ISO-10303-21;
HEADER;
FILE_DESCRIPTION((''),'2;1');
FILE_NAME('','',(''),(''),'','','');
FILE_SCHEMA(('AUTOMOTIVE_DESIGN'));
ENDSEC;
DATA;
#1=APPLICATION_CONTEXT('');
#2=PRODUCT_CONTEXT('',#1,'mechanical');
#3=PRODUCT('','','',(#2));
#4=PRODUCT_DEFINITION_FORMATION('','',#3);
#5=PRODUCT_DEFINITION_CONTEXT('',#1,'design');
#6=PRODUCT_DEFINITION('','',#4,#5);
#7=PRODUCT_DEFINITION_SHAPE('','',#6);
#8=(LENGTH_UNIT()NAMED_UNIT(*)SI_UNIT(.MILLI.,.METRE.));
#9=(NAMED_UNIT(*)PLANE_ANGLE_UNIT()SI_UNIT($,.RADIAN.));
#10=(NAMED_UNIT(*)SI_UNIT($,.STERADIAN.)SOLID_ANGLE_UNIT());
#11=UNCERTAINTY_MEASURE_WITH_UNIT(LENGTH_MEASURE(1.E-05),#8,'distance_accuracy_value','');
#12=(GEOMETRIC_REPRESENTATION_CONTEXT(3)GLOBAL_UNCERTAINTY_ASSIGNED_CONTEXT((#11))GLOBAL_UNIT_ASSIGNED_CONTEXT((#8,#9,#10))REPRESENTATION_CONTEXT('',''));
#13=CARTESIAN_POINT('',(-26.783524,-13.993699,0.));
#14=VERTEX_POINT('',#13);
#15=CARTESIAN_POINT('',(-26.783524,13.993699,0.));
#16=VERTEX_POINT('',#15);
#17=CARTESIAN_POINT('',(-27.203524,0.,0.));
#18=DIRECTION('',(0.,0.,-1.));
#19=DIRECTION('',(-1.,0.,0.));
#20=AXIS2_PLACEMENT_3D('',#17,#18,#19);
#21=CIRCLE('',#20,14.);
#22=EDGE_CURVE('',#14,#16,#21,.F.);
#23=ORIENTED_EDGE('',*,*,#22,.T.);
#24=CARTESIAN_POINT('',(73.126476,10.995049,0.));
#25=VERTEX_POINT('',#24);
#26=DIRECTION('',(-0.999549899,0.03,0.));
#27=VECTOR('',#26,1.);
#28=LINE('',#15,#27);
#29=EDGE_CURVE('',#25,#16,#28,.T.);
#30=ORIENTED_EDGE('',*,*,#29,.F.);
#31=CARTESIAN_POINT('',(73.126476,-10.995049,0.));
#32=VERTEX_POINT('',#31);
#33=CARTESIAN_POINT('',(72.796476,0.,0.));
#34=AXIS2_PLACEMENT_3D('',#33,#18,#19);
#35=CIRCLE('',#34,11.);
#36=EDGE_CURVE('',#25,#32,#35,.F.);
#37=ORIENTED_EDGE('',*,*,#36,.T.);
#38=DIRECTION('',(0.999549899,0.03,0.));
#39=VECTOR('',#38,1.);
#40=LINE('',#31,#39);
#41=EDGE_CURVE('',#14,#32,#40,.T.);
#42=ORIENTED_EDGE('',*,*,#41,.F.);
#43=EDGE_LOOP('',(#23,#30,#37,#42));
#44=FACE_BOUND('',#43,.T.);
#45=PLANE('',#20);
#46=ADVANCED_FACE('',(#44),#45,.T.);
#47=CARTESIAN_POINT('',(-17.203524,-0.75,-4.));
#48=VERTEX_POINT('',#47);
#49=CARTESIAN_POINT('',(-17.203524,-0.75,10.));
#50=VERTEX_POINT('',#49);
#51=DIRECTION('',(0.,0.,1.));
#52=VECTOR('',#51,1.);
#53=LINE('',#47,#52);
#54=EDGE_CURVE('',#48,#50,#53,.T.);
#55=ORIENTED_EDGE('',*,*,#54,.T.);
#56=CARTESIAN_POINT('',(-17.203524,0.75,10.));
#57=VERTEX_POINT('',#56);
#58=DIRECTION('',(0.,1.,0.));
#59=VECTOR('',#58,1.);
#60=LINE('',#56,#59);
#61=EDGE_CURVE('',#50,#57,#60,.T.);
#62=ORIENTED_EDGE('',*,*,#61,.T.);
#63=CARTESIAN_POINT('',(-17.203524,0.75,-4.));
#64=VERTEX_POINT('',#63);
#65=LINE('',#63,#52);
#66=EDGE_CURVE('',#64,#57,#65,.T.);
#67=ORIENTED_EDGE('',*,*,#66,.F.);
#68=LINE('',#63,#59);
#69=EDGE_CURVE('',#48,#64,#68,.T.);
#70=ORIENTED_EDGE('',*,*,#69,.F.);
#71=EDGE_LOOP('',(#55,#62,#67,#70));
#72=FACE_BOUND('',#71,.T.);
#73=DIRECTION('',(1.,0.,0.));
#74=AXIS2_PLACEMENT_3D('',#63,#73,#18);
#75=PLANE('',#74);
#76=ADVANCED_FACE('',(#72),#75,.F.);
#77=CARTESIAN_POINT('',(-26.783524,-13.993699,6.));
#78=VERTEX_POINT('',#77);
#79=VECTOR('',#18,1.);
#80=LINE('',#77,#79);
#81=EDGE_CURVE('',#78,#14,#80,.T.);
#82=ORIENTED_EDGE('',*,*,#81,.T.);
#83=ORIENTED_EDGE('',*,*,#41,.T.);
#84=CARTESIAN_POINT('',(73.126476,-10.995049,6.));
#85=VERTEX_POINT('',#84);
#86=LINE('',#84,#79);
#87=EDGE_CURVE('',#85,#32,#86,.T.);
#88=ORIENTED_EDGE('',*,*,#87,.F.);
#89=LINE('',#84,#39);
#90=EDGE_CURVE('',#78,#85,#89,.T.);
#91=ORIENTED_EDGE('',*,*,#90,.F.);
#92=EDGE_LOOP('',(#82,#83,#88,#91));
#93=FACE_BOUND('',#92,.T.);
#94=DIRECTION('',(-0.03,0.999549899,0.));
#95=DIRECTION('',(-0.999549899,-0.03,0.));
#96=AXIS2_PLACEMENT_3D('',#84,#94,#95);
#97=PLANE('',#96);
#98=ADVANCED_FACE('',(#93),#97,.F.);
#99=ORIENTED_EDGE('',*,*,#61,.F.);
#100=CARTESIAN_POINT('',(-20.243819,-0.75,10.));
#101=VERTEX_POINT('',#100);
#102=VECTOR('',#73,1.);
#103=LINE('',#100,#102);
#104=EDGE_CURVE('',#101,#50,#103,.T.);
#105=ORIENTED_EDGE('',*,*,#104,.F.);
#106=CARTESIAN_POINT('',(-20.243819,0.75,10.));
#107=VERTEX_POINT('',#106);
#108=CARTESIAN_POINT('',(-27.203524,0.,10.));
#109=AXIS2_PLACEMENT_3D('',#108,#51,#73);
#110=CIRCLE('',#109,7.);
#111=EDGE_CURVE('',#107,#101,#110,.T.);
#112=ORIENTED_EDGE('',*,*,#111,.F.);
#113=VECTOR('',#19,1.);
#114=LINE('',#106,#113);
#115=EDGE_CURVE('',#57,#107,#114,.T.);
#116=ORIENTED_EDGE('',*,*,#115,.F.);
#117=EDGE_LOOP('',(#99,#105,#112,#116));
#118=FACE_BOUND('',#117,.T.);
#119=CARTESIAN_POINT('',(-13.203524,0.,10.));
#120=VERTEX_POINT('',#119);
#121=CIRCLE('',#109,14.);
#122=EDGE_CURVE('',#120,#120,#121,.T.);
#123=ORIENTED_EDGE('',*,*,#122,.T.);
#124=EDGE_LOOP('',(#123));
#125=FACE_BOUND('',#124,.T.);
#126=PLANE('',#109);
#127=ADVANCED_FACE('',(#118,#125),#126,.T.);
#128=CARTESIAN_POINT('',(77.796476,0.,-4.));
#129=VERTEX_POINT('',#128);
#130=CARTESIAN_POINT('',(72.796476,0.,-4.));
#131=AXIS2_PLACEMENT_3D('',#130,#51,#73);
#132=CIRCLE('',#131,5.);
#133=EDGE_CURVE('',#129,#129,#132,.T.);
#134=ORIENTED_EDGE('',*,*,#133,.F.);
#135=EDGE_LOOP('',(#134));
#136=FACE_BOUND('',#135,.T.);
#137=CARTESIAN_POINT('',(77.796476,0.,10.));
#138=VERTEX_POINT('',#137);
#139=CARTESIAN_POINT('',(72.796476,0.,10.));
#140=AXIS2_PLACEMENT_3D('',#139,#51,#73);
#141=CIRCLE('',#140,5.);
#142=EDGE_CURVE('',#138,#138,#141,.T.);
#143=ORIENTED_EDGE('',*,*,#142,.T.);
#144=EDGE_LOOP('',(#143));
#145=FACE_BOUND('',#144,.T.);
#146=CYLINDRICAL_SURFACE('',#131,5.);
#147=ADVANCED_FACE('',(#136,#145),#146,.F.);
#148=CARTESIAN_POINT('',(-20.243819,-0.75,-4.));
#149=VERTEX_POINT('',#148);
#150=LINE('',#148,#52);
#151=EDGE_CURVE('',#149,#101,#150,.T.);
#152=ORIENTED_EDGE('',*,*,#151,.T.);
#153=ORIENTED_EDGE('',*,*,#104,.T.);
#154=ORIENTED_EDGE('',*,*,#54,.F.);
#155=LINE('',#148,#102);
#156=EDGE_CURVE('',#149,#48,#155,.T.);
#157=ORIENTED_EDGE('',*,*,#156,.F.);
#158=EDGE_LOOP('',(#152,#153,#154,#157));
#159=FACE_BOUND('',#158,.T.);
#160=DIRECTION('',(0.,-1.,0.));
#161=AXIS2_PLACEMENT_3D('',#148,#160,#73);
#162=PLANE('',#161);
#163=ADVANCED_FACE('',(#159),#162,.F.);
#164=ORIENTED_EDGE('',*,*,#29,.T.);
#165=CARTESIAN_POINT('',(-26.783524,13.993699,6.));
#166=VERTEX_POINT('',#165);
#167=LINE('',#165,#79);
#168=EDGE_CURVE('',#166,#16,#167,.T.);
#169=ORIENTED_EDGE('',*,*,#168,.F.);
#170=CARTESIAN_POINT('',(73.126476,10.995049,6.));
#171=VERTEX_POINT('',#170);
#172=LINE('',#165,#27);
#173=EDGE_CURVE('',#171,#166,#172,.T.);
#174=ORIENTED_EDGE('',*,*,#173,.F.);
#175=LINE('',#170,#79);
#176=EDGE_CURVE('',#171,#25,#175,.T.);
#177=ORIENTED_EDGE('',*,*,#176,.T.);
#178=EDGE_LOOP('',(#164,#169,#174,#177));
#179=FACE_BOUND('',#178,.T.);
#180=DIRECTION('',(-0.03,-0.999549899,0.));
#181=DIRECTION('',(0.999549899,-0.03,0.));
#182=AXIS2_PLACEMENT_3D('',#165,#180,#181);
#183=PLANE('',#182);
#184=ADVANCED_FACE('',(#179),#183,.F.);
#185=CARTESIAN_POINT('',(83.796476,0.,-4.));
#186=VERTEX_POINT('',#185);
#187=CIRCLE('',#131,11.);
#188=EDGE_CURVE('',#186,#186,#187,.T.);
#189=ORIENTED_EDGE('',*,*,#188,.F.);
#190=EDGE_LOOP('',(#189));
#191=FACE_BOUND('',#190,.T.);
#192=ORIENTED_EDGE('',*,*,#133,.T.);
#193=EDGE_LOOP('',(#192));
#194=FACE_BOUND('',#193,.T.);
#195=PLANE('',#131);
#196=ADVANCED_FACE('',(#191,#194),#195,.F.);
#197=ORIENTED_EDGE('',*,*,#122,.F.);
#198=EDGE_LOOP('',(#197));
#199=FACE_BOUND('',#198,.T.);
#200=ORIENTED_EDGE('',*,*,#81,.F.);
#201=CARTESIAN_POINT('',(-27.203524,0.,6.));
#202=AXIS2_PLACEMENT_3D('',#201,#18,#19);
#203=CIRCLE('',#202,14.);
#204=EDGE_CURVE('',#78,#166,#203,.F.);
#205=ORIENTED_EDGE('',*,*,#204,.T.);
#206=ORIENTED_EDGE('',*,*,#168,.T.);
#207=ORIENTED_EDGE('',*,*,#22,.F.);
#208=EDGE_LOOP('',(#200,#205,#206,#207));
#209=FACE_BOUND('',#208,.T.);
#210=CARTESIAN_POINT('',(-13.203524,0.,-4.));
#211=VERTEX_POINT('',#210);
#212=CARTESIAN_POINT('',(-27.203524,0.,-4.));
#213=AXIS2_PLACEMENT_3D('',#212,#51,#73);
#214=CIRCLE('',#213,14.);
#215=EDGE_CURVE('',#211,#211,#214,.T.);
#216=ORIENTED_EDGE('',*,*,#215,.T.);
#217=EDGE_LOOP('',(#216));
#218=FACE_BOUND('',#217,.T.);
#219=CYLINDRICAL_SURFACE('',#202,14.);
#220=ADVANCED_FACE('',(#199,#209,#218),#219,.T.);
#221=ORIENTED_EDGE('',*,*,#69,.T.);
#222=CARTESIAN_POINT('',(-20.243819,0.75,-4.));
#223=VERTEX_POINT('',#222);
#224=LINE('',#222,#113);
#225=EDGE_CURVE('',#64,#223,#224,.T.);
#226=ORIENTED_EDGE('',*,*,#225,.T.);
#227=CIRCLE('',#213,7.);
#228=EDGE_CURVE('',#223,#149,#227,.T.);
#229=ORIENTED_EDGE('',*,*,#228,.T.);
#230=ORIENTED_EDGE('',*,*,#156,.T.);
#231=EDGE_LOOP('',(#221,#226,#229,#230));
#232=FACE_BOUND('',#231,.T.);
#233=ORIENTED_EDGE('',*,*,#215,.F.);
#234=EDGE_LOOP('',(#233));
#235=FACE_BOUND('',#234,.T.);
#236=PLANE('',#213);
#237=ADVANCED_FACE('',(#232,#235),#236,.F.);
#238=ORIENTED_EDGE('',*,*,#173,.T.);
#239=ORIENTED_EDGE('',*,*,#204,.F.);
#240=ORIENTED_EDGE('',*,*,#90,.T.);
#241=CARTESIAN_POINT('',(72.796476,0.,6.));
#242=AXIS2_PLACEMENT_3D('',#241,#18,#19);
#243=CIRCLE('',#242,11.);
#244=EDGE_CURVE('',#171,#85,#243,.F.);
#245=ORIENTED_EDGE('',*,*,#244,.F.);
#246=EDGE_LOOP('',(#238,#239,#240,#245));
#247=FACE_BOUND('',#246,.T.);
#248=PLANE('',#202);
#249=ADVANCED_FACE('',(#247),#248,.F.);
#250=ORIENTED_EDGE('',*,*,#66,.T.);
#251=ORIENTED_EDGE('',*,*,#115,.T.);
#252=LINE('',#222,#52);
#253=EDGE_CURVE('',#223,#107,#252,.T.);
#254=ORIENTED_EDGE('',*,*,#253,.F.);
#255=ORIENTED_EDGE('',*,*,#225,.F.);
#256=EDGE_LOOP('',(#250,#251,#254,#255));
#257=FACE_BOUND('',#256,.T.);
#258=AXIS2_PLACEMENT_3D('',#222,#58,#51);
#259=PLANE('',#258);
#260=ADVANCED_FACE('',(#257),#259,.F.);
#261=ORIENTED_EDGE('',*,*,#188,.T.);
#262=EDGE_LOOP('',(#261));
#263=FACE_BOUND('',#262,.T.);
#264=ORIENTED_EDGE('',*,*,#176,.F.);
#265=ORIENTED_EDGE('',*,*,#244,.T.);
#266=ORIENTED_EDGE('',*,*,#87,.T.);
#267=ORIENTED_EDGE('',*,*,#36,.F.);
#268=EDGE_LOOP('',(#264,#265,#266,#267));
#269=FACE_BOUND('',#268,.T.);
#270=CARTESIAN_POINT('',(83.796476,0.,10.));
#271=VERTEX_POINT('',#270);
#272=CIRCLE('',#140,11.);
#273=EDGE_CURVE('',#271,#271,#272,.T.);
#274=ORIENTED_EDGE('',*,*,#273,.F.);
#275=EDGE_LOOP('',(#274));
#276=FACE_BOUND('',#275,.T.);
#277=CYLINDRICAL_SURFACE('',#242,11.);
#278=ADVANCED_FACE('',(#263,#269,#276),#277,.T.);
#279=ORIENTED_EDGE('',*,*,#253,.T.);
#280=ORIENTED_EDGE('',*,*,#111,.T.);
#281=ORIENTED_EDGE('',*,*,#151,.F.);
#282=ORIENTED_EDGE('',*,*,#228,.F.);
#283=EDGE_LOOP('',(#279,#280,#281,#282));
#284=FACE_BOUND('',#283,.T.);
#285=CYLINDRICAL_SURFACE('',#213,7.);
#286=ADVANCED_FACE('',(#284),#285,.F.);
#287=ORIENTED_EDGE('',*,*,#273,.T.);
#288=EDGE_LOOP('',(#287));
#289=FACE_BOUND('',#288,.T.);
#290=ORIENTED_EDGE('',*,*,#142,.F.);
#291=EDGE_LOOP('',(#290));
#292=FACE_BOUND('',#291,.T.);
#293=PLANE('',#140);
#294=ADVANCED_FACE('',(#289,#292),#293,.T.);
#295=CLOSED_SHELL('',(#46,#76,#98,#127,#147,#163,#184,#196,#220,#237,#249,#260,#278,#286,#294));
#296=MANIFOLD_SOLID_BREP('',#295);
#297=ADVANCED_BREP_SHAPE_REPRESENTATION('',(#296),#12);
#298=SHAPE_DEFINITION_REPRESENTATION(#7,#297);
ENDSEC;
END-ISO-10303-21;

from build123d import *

# Parameters (mm, degrees)
EXTRUDE_1_DEPTH     = 6
SKETCH_3_R          = 14
SKETCH_3_R_2        = 11
EXTRUDE_3_DEPTH     = 7
SKETCH_4_R          = 5
CUT_EXTRUDE_1_DEPTH = 87.103712829


with BuildPart() as part:
    # 草图1 → 凸台-拉伸1 (new body)
    with BuildSketch(Plane.XY):
        with BuildLine():
            Line((-26.783524162, 13.993698582), (73.126475838, 10.995048886))
            ThreePointArc((73.126475838, 10.995048886), (83.796475838, 0), (73.126475838, -10.995048886))
            Line((73.126475838, -10.995048886), (-26.783524162, -13.993698582))
            ThreePointArc((-26.783524162, -13.993698582), (-41.203524162, 0), (-26.783524162, 13.993698582))
        make_face()
    extrude(amount=EXTRUDE_1_DEPTH)

    # 草图3 → 凸台-拉伸3 (add, symmetric)
    with BuildSketch(Plane.XY.offset(3)):
        with Locations((-27.203524162, 0)):
            Circle(SKETCH_3_R)
        with Locations((72.796475838, 0)):
            Circle(SKETCH_3_R_2)
    extrude(amount=EXTRUDE_3_DEPTH, both=True)

    # 草图4 → 切除-拉伸1 (cut, through all)
    with BuildSketch(Plane.XY.offset(10)):
        with Locations((72.796475838, 0)):
            Circle(SKETCH_4_R)
        with BuildLine():
            Line((-20.243818708, 0.75), (-17.203524162, 0.75))
            Line((-17.203524162, 0.75), (-17.203524162, -0.75))
            Line((-17.203524162, -0.75), (-20.243818708, -0.75))
            ThreePointArc((-20.243818708, -0.75), (-34.203524162, 0), (-20.243818708, 0.75))
        make_face()
    extrude(amount=-CUT_EXTRUDE_1_DEPTH, mode=Mode.SUBTRACT)


solid = part.part
